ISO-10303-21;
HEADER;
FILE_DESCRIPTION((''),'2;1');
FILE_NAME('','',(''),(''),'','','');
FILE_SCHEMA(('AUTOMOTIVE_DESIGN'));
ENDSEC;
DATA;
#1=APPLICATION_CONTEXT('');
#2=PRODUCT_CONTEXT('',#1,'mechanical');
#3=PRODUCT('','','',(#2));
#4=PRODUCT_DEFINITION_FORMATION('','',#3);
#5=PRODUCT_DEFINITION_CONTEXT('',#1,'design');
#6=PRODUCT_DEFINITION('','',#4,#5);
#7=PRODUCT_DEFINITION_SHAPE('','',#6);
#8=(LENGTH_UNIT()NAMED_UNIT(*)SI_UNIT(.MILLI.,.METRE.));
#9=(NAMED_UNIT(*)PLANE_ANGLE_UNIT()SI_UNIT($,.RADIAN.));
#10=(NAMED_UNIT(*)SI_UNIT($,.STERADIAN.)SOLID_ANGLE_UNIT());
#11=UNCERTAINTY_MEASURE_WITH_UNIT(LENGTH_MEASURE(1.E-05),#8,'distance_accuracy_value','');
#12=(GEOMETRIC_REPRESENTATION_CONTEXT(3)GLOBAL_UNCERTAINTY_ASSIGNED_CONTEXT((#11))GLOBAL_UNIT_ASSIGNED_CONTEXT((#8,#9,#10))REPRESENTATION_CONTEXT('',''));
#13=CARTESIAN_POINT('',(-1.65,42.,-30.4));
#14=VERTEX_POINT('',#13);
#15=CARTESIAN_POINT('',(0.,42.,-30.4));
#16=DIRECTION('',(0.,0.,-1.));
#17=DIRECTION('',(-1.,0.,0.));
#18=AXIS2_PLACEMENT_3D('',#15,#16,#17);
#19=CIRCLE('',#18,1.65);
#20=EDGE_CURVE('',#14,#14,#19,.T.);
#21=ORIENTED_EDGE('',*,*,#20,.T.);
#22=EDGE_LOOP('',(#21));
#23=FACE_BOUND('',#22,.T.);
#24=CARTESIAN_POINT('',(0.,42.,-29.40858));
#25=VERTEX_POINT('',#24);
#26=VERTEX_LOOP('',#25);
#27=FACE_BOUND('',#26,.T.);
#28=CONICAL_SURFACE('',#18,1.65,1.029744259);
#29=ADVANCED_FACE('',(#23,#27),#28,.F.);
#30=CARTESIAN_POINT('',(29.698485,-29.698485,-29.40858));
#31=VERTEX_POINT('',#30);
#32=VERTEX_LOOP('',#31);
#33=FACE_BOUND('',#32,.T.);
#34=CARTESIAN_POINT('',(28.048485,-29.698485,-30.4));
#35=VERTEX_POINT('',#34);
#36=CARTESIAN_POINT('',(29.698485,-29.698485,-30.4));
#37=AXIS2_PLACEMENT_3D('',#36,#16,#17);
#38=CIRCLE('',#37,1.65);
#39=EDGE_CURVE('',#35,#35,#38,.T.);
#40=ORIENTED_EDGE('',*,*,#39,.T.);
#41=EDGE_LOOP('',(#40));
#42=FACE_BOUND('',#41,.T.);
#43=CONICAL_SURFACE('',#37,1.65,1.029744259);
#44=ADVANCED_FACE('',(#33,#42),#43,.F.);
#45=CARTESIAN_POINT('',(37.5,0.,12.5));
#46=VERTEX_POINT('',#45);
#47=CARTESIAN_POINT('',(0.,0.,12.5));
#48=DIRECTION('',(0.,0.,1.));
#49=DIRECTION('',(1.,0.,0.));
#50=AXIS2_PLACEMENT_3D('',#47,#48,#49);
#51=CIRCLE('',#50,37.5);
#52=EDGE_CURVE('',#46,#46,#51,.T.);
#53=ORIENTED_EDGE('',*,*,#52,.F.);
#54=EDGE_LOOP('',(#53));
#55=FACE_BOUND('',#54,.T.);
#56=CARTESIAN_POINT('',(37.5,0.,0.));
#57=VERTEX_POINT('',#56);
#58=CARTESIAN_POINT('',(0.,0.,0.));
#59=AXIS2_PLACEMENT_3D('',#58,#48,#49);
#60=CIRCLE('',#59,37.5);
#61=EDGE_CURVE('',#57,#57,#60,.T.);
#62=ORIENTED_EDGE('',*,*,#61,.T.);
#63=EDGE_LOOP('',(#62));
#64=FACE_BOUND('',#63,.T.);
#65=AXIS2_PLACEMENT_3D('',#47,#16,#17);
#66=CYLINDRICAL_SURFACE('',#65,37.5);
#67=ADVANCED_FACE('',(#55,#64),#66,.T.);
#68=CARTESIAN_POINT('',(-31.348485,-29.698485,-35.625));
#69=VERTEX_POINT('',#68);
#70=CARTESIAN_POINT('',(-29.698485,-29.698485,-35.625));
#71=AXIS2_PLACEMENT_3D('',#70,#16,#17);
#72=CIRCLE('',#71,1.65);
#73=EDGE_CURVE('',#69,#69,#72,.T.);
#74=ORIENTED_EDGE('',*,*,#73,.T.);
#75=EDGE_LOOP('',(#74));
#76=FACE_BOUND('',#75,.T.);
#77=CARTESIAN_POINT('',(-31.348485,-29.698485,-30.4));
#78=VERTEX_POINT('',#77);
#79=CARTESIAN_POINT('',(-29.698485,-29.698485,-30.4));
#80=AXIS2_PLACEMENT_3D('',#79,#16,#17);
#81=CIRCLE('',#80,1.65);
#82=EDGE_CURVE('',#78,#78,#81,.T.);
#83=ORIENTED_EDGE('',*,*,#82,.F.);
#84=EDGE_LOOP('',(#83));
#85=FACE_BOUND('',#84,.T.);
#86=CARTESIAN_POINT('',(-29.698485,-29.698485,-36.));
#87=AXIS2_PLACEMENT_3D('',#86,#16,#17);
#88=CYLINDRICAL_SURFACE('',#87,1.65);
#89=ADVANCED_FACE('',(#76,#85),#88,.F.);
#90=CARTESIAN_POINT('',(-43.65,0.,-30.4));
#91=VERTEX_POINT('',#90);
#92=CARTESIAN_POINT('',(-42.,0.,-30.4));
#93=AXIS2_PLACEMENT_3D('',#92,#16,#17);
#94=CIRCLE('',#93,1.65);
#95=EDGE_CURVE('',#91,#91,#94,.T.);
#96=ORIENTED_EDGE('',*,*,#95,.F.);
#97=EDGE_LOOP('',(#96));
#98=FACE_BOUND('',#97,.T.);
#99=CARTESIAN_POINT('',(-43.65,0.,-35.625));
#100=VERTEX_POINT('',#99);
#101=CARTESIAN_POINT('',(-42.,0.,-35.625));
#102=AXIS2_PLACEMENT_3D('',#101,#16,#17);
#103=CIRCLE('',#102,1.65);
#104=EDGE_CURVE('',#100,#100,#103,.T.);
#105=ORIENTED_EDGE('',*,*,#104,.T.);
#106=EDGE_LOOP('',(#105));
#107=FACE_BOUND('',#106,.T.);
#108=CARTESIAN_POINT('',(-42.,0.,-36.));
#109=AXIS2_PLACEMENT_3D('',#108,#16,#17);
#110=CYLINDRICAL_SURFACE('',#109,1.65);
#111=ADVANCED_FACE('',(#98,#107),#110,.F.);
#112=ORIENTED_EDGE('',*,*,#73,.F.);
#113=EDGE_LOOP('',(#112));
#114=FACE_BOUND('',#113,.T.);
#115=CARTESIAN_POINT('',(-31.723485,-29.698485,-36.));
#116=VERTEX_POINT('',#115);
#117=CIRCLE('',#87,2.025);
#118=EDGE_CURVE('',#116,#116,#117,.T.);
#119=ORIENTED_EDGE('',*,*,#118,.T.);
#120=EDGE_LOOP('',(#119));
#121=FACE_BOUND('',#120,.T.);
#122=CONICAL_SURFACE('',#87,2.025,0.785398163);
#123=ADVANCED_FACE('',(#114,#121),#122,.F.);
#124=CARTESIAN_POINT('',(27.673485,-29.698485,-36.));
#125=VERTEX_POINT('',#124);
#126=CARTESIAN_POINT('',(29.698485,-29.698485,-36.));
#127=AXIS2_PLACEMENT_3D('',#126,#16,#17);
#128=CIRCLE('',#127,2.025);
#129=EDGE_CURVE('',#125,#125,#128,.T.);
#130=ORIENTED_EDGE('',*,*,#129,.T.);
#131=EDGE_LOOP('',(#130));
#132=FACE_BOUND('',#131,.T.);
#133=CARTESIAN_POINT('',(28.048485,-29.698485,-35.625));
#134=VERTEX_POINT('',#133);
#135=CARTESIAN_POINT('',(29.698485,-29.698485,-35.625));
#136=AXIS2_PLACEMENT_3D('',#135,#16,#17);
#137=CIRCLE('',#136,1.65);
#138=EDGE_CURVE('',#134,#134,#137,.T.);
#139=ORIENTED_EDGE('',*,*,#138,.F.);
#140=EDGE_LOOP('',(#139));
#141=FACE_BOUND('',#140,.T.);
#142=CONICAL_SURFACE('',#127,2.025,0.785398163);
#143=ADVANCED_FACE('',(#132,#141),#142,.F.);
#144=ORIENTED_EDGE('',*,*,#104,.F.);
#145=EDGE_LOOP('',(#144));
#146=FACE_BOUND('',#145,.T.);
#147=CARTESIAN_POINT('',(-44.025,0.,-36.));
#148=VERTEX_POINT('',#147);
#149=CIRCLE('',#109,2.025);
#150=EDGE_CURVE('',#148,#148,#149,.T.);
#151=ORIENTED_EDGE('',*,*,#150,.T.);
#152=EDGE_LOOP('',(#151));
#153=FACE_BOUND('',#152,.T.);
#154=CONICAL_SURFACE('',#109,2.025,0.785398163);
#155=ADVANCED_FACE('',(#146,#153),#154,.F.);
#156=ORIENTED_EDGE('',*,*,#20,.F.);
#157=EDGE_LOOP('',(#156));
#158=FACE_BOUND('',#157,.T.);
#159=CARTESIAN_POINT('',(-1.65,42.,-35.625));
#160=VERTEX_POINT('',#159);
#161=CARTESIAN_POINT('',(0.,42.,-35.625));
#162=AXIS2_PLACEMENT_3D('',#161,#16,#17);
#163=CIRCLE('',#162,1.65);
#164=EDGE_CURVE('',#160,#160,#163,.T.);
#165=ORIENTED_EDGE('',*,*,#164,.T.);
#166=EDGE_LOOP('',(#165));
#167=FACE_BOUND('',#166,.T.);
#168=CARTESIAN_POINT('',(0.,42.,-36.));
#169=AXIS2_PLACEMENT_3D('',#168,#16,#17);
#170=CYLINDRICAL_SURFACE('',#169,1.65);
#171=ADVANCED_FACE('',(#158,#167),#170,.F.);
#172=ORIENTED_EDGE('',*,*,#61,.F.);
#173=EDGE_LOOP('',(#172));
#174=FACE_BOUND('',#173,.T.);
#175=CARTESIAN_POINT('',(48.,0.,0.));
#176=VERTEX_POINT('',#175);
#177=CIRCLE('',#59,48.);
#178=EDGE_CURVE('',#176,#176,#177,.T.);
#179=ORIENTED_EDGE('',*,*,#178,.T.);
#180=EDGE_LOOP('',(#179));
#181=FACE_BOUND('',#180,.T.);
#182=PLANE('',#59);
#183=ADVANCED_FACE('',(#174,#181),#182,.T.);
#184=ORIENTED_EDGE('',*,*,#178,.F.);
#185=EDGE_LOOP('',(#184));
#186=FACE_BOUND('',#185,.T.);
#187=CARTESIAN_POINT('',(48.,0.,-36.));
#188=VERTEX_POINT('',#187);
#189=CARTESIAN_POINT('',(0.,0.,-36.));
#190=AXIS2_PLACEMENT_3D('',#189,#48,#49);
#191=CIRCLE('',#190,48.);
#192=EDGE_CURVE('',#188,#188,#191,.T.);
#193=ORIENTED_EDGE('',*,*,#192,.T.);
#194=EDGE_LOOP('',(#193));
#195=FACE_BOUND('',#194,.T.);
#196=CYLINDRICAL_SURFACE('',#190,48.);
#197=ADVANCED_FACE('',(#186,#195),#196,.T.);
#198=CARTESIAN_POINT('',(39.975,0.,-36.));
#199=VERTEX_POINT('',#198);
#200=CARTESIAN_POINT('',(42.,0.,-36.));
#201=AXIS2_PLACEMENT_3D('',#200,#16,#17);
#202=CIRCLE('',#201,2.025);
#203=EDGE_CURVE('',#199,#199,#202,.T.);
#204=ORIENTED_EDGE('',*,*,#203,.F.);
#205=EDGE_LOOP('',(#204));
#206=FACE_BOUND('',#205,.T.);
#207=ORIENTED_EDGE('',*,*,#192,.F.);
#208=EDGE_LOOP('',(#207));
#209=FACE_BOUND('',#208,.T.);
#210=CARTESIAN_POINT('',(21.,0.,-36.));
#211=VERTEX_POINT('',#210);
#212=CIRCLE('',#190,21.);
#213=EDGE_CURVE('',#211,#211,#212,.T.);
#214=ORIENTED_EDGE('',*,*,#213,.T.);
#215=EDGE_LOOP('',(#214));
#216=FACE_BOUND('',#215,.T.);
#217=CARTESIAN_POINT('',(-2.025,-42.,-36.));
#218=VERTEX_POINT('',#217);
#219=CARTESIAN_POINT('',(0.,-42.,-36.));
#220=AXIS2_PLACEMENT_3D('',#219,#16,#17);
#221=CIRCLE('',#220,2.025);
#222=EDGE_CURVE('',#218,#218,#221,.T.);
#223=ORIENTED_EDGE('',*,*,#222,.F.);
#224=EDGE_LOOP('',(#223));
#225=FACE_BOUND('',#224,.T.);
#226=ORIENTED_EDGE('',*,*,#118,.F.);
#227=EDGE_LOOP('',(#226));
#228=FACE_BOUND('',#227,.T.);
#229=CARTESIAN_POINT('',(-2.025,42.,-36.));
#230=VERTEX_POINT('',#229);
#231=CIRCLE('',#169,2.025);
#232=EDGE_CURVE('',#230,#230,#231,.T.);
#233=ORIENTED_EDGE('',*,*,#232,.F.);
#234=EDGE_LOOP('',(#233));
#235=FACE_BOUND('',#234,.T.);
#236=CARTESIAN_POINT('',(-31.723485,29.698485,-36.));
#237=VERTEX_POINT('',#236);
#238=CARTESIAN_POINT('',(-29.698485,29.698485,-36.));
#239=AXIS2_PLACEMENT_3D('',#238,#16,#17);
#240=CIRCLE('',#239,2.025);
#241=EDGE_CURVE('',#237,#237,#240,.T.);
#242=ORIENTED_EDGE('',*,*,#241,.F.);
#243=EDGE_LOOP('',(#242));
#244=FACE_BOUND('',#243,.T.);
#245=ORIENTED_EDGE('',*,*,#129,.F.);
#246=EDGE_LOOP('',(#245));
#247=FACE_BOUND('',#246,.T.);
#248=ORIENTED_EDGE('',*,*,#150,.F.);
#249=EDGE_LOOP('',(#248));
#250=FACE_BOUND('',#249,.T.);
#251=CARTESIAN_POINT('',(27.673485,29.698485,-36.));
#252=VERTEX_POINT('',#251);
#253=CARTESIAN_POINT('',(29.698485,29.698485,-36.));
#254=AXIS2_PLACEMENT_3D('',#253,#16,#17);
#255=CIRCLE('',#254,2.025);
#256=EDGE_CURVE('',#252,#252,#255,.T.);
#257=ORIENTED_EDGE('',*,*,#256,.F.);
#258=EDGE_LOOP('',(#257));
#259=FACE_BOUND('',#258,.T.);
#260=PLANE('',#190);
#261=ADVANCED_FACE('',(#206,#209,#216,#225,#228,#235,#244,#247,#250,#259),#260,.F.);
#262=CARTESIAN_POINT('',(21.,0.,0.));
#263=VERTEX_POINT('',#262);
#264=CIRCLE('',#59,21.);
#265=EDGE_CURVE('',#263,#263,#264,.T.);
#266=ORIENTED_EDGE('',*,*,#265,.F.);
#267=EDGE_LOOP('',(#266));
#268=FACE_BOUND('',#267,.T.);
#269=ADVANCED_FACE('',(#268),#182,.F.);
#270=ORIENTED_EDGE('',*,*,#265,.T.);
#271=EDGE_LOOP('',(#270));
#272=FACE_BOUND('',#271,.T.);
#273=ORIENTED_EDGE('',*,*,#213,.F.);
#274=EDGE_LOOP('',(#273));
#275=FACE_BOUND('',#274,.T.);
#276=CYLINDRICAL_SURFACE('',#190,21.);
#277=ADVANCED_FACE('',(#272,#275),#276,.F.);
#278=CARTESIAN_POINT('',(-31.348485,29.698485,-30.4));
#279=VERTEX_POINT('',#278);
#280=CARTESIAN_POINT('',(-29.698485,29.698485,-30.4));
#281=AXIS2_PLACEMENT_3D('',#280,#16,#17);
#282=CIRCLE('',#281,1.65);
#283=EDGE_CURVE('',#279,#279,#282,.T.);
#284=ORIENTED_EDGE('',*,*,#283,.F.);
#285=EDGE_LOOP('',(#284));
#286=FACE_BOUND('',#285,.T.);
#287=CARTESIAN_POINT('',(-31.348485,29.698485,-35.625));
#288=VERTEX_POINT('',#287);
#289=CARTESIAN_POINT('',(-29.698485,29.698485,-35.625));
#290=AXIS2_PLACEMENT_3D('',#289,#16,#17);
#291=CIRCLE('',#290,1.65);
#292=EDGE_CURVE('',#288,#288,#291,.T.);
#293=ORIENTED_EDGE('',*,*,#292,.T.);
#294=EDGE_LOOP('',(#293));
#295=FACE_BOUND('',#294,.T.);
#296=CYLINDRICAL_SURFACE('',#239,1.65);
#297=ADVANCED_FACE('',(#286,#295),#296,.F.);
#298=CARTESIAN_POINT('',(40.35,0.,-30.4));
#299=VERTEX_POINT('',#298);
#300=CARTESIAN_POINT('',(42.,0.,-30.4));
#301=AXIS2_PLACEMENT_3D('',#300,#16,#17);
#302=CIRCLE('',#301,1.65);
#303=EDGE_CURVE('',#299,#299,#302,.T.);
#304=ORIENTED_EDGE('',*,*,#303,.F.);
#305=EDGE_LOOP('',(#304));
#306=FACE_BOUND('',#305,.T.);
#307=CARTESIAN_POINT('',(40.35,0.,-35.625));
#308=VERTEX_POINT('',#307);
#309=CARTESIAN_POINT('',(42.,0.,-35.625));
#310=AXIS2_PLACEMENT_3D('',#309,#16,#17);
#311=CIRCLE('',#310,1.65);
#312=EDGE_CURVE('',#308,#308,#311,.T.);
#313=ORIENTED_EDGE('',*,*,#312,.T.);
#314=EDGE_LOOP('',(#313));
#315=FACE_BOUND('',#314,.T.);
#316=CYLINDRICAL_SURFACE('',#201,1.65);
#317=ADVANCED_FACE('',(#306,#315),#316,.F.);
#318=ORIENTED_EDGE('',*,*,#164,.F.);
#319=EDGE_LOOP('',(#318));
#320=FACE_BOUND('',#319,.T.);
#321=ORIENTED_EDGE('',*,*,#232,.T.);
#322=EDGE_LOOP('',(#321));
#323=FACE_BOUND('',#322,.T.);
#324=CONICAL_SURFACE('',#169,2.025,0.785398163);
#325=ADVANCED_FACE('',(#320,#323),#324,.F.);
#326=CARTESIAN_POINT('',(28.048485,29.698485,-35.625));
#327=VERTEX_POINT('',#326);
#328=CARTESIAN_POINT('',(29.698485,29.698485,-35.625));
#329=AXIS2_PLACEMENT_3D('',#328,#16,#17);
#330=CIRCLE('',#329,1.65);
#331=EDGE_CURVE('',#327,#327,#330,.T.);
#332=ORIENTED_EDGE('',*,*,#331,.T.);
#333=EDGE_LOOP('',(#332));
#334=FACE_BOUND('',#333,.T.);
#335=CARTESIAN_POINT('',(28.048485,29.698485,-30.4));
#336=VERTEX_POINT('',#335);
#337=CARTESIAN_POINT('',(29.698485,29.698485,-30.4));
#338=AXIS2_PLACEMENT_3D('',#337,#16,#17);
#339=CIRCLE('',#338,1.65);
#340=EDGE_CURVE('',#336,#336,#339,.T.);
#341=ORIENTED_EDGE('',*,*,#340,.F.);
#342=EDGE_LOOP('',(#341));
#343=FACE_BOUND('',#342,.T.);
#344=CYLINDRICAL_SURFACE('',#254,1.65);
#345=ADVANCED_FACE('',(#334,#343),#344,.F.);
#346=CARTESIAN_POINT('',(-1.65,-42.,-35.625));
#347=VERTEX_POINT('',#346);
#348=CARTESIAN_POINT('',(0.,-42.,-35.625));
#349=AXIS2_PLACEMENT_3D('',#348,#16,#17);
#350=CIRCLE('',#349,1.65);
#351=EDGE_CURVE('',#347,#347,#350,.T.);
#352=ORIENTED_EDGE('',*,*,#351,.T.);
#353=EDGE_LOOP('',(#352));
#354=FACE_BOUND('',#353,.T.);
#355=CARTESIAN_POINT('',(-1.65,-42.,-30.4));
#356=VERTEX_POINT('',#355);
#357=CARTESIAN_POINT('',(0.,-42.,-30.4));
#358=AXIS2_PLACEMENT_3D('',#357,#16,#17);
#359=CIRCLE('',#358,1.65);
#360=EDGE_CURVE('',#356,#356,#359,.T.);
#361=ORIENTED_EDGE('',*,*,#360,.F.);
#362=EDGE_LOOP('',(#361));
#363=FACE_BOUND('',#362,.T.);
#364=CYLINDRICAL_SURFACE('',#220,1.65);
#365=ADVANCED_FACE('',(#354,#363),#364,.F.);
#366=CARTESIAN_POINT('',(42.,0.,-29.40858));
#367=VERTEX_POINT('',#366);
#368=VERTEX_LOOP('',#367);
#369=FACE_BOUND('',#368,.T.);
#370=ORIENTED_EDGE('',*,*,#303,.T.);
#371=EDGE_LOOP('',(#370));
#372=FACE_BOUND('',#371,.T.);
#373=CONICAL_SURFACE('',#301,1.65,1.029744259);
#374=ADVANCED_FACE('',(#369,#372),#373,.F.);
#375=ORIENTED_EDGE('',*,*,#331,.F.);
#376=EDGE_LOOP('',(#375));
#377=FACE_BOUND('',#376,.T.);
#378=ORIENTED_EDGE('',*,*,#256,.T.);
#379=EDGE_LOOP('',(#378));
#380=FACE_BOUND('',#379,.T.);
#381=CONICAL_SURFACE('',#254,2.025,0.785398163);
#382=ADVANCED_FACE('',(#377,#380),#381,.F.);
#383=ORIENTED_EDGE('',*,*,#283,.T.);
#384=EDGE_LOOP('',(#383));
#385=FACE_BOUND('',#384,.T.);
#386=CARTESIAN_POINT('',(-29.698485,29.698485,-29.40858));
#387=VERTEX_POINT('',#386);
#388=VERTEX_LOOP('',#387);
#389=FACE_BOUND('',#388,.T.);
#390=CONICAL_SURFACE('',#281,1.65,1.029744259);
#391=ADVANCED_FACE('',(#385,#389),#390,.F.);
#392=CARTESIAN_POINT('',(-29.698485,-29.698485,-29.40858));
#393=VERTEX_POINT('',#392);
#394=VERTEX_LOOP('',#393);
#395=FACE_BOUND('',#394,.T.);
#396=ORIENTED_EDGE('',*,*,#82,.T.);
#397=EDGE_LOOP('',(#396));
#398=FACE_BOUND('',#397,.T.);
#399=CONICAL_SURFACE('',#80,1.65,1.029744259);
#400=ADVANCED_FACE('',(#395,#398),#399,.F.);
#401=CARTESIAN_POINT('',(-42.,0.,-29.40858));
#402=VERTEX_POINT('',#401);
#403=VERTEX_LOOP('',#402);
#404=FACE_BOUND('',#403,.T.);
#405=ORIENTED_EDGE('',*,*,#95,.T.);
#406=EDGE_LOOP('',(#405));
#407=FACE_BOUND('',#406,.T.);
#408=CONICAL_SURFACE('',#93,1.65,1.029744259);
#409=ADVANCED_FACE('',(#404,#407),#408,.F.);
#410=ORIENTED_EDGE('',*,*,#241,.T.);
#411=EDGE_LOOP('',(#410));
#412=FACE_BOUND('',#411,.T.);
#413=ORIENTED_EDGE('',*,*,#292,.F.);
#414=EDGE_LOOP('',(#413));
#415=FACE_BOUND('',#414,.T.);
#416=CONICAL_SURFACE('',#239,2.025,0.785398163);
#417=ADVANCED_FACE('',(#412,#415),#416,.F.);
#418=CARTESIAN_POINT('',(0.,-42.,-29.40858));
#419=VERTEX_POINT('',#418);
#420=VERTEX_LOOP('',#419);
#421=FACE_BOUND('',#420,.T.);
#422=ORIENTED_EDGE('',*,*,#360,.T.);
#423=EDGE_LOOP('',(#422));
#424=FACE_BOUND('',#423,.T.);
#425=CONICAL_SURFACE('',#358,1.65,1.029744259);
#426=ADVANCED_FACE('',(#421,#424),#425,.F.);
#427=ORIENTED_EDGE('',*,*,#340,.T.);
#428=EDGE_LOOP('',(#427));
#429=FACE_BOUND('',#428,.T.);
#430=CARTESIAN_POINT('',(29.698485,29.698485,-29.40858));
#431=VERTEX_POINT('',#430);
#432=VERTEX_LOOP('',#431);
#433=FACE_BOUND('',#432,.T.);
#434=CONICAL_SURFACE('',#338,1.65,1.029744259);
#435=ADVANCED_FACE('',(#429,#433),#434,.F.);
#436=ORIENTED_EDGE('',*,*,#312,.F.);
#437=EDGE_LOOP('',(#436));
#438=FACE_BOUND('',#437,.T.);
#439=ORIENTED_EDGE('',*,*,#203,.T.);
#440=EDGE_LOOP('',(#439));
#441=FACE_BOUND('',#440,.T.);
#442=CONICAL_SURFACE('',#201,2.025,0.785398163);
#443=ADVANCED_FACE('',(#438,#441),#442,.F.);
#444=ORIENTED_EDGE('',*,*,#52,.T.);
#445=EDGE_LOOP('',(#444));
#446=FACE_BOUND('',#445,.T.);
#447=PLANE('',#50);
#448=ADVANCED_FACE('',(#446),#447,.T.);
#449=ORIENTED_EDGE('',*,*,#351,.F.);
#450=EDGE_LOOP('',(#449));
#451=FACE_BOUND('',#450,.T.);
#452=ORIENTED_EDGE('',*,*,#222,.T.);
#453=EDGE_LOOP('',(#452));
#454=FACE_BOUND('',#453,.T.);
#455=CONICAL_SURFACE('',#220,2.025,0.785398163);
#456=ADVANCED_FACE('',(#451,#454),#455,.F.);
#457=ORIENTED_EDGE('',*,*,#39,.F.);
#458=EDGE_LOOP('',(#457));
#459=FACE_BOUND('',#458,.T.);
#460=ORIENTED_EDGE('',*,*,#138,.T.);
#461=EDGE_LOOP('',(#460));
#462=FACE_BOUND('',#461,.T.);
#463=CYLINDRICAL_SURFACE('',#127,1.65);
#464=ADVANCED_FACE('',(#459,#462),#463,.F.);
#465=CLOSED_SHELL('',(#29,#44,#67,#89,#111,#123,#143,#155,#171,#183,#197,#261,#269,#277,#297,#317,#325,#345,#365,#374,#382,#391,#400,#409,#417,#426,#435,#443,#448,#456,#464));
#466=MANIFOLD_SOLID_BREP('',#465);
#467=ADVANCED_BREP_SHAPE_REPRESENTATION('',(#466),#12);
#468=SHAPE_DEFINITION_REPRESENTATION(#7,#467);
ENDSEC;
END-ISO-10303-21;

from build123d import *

# Parameters (mm, degrees)
SKETCH1_R                   = 37.5
BOSS_EXTRUDE1_DEPTH         = 12.5
SKETCH1_3_R                 = 48
SKETCH1_3_R_2               = 21
BOSS_EXTRUDE2_DEPTH         = 36
M4_TAPPED_HOLE1_D           = 3.3
M4_TAPPED_HOLE1_DEPTH       = 5.6
M4_TAPPED_HOLE1_CSINK_D     = 4.05
M4_TAPPED_HOLE1_CSINK_ANGLE = 90
M4_TAPPED_HOLE1_TIP         = 0.991420021


with BuildPart() as part:
    # Sketch1 → Boss-Extrude1 (new body)
    with BuildSketch(Plane.XY):
        Circle(SKETCH1_R)
    extrude(amount=BOSS_EXTRUDE1_DEPTH)

    # Sketch1<3> → Boss-Extrude2 (add)
    with BuildSketch(Plane.XY):
        Circle(SKETCH1_3_R)
        Circle(SKETCH1_3_R_2, mode=Mode.SUBTRACT)
    extrude(amount=-BOSS_EXTRUDE2_DEPTH)

    # M4 Tapped Hole1
    with Locations(Plane(origin=(0, 0, -36), x_dir=(-1, 0, 0), z_dir=(0, 0, -1))):
        with Locations((0, 42), (29.69848481, 29.69848481), (42, 0), (29.69848481, -29.69848481), (0, -42), (-29.69848481, -29.69848481), (-42, 0), (-29.69848481, 29.69848481)):
            CounterSinkHole(M4_TAPPED_HOLE1_D / 2, M4_TAPPED_HOLE1_CSINK_D / 2, depth=M4_TAPPED_HOLE1_DEPTH, counter_sink_angle=M4_TAPPED_HOLE1_CSINK_ANGLE)
            with Locations((0, 0, -(M4_TAPPED_HOLE1_DEPTH + M4_TAPPED_HOLE1_TIP / 2))):  # 118° drill point
                Cone(0, M4_TAPPED_HOLE1_D / 2, M4_TAPPED_HOLE1_TIP, mode=Mode.SUBTRACT)


solid = part.part
